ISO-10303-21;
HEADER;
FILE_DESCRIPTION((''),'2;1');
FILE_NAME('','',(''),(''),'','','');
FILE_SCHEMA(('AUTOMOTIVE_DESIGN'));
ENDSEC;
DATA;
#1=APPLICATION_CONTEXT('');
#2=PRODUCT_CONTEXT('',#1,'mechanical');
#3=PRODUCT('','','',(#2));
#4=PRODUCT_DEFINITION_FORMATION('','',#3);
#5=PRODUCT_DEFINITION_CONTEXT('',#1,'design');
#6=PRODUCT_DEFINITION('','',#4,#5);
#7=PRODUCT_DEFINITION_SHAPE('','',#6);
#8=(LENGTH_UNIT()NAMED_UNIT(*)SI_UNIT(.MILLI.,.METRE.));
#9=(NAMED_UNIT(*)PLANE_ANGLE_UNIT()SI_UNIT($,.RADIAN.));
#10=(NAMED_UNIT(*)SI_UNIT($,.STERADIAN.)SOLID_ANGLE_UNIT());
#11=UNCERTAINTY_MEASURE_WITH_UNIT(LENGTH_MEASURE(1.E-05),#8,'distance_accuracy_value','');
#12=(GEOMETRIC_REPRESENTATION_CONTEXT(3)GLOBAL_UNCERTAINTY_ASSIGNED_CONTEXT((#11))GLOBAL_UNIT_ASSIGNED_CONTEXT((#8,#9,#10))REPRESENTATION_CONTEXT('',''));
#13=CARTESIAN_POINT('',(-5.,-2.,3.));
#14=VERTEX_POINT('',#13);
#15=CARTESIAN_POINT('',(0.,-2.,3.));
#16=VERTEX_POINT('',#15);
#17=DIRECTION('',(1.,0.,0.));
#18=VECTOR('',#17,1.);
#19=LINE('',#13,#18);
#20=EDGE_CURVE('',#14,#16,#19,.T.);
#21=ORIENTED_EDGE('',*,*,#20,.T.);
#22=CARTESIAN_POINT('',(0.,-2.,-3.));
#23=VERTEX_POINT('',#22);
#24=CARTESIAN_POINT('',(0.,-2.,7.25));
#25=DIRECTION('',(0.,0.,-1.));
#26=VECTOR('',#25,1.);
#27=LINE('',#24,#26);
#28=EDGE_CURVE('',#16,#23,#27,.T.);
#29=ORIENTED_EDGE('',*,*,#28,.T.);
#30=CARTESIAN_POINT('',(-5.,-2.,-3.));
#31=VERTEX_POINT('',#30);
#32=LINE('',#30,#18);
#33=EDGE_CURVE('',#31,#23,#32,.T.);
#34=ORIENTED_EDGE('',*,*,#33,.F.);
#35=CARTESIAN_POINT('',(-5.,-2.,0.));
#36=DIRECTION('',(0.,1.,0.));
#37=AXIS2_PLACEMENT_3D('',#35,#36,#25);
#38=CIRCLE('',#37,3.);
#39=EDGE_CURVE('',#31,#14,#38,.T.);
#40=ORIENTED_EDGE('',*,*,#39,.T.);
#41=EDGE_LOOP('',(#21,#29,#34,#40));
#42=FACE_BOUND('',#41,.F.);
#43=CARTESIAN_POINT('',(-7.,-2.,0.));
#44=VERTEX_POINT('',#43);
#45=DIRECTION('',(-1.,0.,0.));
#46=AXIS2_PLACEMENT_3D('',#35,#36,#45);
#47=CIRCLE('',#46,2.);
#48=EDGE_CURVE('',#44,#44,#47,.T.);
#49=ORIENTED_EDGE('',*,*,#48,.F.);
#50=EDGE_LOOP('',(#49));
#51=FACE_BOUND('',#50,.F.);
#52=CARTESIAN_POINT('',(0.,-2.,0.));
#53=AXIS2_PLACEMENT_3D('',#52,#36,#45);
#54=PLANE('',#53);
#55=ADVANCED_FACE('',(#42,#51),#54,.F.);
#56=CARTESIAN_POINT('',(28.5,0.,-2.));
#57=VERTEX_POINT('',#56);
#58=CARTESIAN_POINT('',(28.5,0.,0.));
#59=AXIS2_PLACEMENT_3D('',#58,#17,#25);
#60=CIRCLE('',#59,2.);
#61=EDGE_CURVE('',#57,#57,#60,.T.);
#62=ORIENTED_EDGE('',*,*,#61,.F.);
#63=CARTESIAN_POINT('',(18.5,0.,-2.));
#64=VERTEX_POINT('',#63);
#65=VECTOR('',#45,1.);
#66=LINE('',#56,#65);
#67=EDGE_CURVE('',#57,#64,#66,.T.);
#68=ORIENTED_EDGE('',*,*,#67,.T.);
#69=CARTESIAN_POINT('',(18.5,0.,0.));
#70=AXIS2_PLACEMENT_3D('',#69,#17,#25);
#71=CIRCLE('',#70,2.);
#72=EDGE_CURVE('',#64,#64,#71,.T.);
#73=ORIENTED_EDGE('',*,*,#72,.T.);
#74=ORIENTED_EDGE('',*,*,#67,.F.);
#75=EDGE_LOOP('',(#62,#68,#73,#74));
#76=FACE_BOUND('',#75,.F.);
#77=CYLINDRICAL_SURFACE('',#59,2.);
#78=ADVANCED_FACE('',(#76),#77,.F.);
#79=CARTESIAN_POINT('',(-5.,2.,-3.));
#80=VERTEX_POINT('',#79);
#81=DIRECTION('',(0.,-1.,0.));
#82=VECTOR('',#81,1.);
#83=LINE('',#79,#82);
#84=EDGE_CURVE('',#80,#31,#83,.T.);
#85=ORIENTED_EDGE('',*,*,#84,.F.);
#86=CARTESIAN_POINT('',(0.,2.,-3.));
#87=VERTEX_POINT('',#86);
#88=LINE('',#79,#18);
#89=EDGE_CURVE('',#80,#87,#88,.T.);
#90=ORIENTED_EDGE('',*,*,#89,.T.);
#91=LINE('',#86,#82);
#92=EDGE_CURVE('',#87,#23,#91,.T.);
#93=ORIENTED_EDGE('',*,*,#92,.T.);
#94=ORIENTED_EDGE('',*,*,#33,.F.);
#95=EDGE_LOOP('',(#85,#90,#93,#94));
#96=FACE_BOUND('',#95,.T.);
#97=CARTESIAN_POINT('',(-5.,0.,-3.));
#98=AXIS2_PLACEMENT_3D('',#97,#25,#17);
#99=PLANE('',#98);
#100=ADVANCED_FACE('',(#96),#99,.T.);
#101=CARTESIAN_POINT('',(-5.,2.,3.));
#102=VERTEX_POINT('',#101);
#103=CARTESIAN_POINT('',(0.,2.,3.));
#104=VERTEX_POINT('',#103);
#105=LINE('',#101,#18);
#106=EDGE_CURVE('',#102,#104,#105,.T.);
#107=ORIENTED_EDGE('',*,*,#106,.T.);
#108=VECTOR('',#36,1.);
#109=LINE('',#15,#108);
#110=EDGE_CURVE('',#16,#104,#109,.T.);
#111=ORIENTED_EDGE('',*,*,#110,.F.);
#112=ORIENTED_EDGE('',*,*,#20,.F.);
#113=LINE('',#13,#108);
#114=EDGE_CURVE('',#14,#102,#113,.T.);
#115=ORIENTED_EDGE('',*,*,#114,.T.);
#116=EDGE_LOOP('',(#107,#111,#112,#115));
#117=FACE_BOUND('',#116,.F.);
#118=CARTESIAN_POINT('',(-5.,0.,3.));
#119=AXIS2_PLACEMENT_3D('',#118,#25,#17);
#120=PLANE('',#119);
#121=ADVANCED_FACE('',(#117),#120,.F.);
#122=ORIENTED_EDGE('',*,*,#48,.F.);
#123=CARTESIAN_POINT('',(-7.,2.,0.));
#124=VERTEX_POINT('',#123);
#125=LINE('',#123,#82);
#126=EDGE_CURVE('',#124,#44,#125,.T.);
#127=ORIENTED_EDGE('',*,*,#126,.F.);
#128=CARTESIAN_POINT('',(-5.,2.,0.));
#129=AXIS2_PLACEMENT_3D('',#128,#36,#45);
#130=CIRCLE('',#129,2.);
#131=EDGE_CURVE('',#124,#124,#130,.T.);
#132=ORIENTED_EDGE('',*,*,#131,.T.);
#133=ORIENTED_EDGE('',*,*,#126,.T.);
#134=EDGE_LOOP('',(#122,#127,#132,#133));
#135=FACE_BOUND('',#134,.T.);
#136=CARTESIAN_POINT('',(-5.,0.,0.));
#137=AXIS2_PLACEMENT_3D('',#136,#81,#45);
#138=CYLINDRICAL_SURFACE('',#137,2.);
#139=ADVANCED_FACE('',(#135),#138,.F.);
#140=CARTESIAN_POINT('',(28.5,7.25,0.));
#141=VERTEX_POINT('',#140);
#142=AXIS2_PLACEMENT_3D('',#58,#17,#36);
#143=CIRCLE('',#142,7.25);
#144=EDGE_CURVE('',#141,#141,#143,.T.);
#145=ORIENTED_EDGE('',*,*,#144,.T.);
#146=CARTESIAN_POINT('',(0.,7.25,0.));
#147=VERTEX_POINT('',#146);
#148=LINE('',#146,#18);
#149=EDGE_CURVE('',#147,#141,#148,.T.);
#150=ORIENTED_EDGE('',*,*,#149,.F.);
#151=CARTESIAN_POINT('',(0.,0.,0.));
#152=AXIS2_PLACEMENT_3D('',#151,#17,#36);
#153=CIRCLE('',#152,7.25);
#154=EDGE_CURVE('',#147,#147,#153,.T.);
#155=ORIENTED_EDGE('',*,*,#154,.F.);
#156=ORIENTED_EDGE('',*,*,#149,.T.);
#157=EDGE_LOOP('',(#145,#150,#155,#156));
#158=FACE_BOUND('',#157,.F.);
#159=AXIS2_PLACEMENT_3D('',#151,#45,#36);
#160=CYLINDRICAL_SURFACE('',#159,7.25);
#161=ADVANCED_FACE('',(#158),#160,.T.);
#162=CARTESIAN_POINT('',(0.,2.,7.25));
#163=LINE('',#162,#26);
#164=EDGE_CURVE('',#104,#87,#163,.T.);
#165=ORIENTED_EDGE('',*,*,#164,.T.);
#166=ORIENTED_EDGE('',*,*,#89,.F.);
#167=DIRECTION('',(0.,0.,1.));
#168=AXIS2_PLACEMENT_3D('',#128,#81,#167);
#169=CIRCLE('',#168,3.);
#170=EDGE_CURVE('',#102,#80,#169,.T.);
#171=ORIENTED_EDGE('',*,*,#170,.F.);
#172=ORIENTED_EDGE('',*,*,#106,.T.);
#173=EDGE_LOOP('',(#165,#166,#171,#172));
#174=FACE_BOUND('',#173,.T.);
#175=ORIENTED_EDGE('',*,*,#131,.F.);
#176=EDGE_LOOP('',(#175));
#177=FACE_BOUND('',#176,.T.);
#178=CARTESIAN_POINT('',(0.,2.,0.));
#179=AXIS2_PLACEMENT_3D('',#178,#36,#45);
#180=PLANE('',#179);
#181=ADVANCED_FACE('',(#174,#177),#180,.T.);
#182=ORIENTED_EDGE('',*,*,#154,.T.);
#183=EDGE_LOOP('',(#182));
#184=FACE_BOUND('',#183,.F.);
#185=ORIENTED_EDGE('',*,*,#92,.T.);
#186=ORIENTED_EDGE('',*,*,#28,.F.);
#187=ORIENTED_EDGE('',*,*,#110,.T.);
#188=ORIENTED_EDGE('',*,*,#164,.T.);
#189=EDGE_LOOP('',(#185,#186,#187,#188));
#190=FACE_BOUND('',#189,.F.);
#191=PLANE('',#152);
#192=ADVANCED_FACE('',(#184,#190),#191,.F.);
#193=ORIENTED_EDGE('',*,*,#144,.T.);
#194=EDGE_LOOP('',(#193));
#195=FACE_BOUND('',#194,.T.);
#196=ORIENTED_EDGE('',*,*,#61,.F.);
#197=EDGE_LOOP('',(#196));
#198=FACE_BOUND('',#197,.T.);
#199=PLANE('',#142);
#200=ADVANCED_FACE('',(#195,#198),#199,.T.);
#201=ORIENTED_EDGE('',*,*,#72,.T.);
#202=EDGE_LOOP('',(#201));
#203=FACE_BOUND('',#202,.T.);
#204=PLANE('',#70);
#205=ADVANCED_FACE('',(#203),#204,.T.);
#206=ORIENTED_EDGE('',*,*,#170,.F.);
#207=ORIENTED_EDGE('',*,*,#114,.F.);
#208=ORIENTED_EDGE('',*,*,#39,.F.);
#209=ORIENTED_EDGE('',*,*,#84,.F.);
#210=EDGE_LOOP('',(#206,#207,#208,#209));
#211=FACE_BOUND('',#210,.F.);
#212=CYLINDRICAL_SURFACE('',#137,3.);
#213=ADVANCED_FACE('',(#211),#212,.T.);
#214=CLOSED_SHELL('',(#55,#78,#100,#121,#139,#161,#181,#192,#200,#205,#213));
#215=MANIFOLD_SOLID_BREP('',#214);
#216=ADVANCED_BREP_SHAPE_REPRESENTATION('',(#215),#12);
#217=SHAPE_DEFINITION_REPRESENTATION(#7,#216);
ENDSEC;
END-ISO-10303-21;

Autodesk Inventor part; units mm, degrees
ref_plane "YZ Plane" through (0, 0, 0) normal (1, 0, 0) x (0, 1, 0)
ref_plane "XZ Plane" through (0, 0, 0) normal (0, 1, 0) x (-1, 0, 0)
ref_plane "XY Plane" through (0, 0, 0) normal (0, 0, 1) x (1, 0, 0)
sketch "スケッチ1" plane through (0, 0, 0) normal (1, 0, 0) x (0, 1, 0)
  circle A0 centre (0, 0) radius 7.25
  dimension "d0" = 14.5
extrude "押し出し1" add sketch "スケッチ1" along normal blind 28.5
sketch "スケッチ2" plane through (0, 0, 0) normal (0, 1, 0) x (-1, 0, 0)
  circle A0 centre (5, 0) radius 2
  circle A1 centre (5, 0) radius 3
  line L0 (5, -3) -> (0, -3)
  line L1 (0, 7.25) -> (0, -7.25) projected
  line L2 (5, 3) -> (0, 3)
  point P0 (0, 0)
  dimension "d3" = 4
  dimension "d4" = 5
  dimension "d5" = 6
extrude "押し出し2" add sketch "スケッチ2" along normal mid plane 4
sketch "スケッチ3" plane through (28.5, 0, 0) normal (1, 0, 0) x (0, 0, -1)
  circle A0 centre (0, 0) radius 2
  dimension "d8" = 4
extrude "押し出し3" cut sketch "スケッチ3" against normal blind 10
properties part number "pink-suspension-under" material "ABS プラスチック"
